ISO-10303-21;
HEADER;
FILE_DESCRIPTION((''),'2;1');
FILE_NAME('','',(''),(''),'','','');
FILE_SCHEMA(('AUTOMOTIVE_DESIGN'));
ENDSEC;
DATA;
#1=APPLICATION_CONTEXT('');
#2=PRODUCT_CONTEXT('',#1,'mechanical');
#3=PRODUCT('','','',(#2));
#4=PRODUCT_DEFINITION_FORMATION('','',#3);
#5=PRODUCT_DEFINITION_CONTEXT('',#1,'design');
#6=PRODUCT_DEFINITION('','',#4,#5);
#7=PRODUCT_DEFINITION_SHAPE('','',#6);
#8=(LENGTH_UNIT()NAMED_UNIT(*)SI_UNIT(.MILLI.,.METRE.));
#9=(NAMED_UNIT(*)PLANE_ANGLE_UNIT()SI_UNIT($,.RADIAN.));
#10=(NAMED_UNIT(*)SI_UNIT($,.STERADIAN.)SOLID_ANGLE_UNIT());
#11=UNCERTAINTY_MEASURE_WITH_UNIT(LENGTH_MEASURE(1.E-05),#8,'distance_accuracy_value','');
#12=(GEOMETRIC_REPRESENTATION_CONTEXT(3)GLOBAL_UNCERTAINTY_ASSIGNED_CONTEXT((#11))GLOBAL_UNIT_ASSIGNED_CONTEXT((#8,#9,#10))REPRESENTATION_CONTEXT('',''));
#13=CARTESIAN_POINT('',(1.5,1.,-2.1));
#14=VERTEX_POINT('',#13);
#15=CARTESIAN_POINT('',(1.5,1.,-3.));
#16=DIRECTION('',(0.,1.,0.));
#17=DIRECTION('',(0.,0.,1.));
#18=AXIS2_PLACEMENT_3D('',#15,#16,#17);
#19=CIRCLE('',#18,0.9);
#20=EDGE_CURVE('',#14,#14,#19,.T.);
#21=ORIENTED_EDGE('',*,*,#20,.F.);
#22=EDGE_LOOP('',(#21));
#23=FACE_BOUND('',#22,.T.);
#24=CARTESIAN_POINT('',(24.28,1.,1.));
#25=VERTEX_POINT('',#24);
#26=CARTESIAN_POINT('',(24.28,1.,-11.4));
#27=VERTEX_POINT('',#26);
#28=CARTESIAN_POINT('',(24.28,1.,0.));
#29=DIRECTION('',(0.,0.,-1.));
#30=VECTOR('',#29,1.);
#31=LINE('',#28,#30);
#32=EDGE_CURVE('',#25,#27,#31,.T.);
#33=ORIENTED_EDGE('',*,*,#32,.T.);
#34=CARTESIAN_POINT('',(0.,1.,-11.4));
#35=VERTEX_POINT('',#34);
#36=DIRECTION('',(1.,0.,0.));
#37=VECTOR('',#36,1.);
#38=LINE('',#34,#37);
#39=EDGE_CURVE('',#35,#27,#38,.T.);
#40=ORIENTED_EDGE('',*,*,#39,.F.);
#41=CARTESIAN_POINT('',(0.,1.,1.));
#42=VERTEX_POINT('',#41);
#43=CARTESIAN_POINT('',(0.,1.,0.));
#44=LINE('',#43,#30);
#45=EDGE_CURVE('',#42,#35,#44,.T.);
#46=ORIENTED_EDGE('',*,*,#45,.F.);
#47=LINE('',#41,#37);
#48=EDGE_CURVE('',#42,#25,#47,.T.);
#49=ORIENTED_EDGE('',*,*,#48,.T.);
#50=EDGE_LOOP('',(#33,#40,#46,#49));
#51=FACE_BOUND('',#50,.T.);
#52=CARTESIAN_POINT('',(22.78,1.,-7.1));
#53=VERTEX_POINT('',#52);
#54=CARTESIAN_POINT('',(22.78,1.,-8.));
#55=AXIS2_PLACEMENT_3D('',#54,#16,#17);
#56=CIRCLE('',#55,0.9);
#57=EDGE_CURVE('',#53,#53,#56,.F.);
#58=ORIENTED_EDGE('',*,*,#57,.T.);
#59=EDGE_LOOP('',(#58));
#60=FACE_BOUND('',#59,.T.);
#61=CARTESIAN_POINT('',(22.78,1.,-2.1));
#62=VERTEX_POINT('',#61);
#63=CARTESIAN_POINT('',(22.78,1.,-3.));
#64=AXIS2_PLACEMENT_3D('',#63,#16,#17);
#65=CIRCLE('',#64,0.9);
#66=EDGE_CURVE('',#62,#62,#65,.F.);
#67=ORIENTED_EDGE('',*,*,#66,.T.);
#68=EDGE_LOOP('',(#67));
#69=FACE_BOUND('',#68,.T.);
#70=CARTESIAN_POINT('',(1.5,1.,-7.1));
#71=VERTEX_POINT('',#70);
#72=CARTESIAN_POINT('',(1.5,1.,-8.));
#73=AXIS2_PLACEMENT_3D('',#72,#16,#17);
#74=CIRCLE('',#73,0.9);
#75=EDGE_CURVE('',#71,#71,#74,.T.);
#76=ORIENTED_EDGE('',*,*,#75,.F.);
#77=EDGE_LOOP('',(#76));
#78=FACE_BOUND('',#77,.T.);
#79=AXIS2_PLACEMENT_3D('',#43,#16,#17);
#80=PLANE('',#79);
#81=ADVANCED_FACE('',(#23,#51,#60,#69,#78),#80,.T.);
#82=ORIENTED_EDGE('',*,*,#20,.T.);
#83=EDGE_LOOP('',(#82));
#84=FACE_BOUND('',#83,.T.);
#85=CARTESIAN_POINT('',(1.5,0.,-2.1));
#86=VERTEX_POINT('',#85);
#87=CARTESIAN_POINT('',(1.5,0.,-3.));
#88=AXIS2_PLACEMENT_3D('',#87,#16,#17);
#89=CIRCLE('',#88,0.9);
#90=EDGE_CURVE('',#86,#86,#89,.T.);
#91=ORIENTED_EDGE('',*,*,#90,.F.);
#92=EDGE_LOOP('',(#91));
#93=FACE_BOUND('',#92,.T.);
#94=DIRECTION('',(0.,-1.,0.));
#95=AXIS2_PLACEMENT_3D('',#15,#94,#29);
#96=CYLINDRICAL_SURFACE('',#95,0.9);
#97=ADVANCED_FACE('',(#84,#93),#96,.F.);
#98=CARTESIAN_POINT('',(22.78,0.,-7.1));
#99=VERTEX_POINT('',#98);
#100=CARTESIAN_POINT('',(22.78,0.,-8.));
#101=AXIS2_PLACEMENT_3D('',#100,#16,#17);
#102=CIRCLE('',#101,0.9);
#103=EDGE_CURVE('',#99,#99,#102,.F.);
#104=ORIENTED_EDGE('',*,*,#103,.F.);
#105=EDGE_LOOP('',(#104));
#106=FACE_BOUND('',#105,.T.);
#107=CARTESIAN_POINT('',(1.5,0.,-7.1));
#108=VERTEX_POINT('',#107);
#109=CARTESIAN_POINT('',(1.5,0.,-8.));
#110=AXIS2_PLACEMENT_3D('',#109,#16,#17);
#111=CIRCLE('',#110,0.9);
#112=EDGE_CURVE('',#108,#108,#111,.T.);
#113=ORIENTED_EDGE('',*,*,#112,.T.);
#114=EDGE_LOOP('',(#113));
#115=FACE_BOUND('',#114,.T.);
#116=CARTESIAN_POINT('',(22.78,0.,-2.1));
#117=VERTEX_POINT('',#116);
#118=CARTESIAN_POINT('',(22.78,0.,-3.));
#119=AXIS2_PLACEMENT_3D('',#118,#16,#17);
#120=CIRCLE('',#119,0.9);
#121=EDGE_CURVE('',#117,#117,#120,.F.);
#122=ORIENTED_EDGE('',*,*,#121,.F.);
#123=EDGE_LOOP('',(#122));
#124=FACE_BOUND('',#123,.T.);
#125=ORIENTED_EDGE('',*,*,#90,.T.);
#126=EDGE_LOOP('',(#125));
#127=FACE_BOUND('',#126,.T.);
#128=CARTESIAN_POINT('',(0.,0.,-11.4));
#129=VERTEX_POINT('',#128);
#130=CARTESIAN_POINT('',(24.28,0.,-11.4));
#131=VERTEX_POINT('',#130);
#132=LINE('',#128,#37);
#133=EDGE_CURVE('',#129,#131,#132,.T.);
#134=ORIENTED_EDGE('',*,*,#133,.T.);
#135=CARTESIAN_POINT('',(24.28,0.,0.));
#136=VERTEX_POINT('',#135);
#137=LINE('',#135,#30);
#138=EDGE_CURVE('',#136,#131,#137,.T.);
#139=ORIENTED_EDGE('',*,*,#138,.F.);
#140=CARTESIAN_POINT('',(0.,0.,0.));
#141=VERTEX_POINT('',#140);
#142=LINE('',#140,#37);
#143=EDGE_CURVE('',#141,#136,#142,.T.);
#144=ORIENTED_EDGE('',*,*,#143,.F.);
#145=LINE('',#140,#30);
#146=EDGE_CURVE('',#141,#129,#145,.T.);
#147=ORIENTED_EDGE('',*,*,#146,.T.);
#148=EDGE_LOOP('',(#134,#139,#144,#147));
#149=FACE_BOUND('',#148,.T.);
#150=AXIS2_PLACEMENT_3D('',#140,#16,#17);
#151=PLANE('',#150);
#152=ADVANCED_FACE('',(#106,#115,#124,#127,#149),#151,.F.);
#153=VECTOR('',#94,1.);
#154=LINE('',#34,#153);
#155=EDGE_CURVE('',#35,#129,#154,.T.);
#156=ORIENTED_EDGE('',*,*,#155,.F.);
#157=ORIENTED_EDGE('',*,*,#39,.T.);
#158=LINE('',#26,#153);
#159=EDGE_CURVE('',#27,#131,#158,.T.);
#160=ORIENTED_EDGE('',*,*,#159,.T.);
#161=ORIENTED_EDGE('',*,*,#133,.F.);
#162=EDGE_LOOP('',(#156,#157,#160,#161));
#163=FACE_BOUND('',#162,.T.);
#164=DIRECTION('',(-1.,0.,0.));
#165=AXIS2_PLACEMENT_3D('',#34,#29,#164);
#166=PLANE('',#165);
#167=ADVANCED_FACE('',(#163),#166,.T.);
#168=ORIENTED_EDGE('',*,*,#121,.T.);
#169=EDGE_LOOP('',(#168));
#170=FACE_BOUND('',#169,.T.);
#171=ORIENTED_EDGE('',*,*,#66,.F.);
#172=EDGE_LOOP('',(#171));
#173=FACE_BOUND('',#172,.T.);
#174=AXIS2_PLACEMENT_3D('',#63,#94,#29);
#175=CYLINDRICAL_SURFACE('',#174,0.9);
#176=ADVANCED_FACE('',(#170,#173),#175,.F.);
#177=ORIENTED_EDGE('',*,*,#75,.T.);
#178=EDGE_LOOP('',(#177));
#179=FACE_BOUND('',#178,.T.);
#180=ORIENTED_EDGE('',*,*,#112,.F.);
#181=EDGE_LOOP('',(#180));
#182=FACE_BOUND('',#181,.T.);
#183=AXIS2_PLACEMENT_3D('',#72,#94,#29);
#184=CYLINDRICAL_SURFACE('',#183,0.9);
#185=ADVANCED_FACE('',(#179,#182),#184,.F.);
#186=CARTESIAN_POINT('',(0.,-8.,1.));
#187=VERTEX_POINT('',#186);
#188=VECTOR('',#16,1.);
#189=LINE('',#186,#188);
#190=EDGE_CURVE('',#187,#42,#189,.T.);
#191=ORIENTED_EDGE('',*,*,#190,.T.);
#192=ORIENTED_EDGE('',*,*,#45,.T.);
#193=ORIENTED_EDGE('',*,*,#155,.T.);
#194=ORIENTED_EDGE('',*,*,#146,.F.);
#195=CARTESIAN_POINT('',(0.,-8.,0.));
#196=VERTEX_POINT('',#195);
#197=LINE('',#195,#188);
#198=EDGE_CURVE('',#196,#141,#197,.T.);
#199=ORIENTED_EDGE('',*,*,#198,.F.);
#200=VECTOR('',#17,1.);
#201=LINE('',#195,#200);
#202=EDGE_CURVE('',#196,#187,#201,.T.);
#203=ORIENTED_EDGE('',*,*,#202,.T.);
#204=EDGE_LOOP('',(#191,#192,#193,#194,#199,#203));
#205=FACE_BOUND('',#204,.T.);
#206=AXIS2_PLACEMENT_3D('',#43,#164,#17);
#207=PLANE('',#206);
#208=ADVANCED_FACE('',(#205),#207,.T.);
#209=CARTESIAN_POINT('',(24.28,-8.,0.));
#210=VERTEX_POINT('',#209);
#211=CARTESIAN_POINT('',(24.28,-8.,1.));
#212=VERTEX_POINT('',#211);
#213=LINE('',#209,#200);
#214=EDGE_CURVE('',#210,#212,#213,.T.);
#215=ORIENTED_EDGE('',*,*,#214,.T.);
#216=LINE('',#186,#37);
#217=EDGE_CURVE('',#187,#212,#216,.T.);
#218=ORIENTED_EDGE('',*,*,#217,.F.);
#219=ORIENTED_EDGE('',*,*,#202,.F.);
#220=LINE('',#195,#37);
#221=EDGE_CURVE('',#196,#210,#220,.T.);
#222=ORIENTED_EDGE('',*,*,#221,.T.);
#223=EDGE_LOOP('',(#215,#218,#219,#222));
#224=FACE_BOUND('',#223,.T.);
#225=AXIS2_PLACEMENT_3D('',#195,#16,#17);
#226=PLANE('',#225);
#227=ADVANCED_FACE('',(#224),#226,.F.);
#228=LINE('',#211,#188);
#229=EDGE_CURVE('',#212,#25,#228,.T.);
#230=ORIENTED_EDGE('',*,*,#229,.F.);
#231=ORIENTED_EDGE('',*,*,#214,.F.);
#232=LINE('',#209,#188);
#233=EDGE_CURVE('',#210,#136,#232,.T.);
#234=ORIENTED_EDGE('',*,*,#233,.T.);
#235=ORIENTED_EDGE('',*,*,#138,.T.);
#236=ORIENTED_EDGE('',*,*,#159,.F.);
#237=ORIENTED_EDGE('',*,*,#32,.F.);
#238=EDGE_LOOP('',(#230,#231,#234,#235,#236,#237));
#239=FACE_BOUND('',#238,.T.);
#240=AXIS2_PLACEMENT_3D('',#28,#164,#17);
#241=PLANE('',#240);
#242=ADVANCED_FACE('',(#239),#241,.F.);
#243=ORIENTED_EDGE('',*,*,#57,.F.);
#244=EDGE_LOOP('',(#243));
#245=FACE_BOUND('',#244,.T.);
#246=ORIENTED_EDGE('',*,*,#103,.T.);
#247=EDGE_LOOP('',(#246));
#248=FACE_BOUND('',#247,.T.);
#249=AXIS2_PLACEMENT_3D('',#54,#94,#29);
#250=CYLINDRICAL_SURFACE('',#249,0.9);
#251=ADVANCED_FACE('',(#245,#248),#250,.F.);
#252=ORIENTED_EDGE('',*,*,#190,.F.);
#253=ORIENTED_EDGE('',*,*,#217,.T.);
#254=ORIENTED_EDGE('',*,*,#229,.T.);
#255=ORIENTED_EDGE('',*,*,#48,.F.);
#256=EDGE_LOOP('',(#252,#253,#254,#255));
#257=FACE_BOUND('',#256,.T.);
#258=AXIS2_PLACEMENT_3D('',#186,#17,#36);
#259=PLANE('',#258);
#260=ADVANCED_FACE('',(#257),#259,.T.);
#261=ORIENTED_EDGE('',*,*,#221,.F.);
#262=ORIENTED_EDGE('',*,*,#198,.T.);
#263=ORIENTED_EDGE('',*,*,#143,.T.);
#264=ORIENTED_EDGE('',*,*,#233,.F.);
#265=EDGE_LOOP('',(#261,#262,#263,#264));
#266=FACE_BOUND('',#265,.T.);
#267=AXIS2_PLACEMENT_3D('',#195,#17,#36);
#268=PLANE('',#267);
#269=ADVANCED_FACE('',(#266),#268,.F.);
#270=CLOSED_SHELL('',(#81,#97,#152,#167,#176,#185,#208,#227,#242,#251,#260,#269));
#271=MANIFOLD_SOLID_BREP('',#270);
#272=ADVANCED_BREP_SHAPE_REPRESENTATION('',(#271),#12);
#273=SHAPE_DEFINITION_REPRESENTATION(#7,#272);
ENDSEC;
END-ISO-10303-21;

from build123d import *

# Parameters (mm, degrees)
SKETCH1_W                = 24.28
SKETCH1_H                = 11.4
SKETCH1_R                = 0.9
BOSS_EXTRUDE1_DEPTH      = 1
BOSS_EXTRUDE2_DEPTH      = 1
BOSS_EXTRUDE2_DEPTH_BACK = 8
SKETCH1_3_W              = 24.28
SKETCH1_3_H              = 1


with BuildPart() as part:
    # Sketch1 → Boss-Extrude1 (new body)
    with BuildSketch(Plane(origin=(0, 0, 0), x_dir=(1, 0, 0), z_dir=(0, 1, 0))):
        with Locations((12.14, 5.7)):
            Rectangle(SKETCH1_W, SKETCH1_H)
        with Locations((22.78, 3)):
            Circle(SKETCH1_R, mode=Mode.SUBTRACT)
        with Locations((22.78, 8)):
            Circle(SKETCH1_R, mode=Mode.SUBTRACT)
        with Locations((1.5, 8)):
            Circle(SKETCH1_R, mode=Mode.SUBTRACT)
        with Locations((1.5, 3)):
            Circle(SKETCH1_R, mode=Mode.SUBTRACT)
    extrude(amount=BOSS_EXTRUDE1_DEPTH)

    # Sketch1<3> → Boss-Extrude2 (add, two sides: drawn at the far end of the back side and taken through both)
    with BuildSketch(Plane(origin=(0, 0, 0), x_dir=(1, 0, 0), z_dir=(0, 1, 0)).offset(-BOSS_EXTRUDE2_DEPTH_BACK)):
        with Locations((12.14, -0.5)):
            Rectangle(SKETCH1_3_W, SKETCH1_3_H)
    extrude(amount=BOSS_EXTRUDE2_DEPTH + BOSS_EXTRUDE2_DEPTH_BACK)


solid = part.part
